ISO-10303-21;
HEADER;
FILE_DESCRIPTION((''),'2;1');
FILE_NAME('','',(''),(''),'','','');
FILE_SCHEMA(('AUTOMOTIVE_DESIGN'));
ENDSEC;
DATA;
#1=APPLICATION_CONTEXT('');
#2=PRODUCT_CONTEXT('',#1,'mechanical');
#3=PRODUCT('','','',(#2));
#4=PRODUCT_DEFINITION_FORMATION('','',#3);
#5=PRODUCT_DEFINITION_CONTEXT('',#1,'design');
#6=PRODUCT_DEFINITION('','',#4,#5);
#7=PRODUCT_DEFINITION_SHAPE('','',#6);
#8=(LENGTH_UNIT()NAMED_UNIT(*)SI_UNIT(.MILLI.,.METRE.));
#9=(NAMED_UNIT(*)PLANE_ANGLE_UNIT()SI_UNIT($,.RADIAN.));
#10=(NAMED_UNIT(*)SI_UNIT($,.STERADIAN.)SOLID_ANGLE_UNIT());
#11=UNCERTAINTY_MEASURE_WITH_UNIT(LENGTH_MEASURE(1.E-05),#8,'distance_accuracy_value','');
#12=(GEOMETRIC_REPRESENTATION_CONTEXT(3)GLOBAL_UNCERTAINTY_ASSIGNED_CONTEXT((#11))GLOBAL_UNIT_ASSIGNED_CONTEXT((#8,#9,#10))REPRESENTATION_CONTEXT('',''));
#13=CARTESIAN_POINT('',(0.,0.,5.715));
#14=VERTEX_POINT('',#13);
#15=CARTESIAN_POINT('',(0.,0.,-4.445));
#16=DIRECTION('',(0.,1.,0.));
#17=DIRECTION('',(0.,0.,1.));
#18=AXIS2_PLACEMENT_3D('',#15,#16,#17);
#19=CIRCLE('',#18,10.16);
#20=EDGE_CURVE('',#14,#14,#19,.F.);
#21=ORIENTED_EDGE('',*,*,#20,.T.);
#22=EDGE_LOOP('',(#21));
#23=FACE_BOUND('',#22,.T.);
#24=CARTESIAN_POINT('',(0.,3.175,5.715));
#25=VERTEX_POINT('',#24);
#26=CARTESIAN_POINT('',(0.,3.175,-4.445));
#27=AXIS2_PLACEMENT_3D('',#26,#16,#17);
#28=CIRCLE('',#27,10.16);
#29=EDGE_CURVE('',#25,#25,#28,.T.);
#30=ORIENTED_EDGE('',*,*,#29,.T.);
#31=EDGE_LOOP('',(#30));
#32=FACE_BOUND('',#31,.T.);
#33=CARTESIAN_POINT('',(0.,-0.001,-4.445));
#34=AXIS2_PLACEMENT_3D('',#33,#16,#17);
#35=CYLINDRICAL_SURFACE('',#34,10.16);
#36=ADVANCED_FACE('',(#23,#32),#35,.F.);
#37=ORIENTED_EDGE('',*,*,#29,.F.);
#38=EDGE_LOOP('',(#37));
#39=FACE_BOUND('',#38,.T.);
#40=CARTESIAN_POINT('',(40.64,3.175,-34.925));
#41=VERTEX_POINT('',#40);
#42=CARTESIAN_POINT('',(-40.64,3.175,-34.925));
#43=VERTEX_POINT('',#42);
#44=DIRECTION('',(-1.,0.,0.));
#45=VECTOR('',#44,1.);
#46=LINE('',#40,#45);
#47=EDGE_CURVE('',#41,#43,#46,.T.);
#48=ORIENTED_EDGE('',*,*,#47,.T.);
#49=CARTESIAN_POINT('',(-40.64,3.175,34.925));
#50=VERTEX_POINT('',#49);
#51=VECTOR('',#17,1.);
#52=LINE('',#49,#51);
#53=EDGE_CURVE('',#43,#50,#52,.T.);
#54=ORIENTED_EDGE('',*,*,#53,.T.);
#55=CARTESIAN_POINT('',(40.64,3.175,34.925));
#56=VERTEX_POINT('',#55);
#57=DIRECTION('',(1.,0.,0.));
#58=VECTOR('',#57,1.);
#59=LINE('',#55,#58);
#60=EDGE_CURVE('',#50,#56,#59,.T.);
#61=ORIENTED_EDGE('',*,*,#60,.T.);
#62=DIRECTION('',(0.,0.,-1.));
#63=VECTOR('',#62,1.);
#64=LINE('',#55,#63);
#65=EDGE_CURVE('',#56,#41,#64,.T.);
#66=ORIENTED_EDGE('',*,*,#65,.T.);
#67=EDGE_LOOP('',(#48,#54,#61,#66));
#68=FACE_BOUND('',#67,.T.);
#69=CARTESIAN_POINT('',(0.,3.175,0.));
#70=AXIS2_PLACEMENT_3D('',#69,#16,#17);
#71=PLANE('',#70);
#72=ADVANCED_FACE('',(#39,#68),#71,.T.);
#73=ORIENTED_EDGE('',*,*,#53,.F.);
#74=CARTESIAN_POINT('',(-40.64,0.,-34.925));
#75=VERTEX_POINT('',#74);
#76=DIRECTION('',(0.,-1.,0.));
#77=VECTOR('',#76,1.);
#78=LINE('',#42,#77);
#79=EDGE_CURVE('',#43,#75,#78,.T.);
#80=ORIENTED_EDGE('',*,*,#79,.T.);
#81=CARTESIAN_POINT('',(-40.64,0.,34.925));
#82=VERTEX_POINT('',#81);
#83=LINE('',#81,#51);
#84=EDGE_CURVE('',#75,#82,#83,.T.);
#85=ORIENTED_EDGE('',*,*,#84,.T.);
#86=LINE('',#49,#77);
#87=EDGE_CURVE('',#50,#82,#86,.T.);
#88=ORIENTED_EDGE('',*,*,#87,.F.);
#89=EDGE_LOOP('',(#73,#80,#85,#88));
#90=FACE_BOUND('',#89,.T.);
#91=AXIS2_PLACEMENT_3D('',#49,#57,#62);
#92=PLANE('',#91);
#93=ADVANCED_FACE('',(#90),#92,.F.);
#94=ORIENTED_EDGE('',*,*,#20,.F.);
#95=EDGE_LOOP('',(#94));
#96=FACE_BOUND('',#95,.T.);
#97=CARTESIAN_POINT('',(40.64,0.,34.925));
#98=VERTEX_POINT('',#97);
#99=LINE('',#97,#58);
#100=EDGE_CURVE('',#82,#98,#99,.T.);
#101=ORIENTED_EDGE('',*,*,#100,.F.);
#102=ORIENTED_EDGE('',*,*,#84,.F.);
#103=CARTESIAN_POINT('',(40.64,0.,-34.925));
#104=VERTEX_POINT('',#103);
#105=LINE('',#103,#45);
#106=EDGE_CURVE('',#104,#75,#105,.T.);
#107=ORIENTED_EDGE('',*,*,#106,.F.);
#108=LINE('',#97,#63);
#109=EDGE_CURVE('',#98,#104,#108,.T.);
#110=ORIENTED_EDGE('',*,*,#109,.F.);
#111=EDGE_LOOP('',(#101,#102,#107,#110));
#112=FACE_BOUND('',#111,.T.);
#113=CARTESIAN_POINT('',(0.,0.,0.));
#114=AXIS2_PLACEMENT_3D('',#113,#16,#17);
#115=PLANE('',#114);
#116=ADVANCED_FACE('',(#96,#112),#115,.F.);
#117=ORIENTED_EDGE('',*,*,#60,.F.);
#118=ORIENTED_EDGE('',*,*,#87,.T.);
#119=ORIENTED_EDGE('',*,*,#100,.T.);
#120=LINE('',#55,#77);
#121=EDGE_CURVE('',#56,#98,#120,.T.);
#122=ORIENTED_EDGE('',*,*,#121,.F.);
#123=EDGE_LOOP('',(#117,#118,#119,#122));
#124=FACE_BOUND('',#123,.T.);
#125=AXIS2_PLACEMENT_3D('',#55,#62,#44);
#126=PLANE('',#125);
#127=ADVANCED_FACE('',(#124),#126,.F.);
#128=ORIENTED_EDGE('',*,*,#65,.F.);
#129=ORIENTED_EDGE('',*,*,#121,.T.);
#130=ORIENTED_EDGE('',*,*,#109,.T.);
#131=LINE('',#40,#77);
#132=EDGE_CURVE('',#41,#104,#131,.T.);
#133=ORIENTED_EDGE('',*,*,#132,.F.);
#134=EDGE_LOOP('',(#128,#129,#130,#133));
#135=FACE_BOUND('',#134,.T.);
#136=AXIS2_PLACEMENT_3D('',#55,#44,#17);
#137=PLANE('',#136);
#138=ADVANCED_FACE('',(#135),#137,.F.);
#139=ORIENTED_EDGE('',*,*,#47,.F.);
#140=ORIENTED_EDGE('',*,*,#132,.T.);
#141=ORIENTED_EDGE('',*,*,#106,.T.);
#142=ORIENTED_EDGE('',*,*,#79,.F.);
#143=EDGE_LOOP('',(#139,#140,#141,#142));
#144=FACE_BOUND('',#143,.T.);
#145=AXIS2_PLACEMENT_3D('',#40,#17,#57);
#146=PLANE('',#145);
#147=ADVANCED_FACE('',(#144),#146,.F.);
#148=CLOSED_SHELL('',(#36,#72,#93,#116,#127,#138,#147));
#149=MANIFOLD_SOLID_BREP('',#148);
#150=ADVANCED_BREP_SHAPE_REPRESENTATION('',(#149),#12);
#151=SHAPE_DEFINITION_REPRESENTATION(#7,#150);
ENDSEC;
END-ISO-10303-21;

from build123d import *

# Parameters (mm, degrees)
SKETCH1_W           = 81.28
SKETCH1_H           = 69.85
BOSS_EXTRUDE1_DEPTH = 3.175
CUT_EXTRUDE1_REACH  = 55.679
SKETCH2_R           = 10.16


with BuildPart() as part:
    # Sketch1 → Boss-Extrude1 (new body)
    with BuildSketch(Plane(origin=(0, 0, 0), x_dir=(1, 0, 0), z_dir=(0, 1, 0))):
        Rectangle(SKETCH1_W, SKETCH1_H)
    extrude(amount=BOSS_EXTRUDE1_DEPTH)

    # Sketch2 → Cut-Extrude1 (cut, up to next)
    with BuildSketch(Plane(origin=(0, 3.175, 0), x_dir=(1, 0, 0), z_dir=(0, 1, 0)), mode=Mode.PRIVATE) as cut_extrude1_sk1:
        with Locations(Location((0, 4.445, 0), (0, 0, 270))):
            Circle(SKETCH2_R)
    cut_extrude1_tool1 = extrude(cut_extrude1_sk1.sketch, amount=-CUT_EXTRUDE1_REACH, mode=Mode.PRIVATE) & part.part
    add(cut_extrude1_tool1.solids().sort_by_distance((0, 3.175, -4.445))[0], mode=Mode.SUBTRACT)


solid = part.part
